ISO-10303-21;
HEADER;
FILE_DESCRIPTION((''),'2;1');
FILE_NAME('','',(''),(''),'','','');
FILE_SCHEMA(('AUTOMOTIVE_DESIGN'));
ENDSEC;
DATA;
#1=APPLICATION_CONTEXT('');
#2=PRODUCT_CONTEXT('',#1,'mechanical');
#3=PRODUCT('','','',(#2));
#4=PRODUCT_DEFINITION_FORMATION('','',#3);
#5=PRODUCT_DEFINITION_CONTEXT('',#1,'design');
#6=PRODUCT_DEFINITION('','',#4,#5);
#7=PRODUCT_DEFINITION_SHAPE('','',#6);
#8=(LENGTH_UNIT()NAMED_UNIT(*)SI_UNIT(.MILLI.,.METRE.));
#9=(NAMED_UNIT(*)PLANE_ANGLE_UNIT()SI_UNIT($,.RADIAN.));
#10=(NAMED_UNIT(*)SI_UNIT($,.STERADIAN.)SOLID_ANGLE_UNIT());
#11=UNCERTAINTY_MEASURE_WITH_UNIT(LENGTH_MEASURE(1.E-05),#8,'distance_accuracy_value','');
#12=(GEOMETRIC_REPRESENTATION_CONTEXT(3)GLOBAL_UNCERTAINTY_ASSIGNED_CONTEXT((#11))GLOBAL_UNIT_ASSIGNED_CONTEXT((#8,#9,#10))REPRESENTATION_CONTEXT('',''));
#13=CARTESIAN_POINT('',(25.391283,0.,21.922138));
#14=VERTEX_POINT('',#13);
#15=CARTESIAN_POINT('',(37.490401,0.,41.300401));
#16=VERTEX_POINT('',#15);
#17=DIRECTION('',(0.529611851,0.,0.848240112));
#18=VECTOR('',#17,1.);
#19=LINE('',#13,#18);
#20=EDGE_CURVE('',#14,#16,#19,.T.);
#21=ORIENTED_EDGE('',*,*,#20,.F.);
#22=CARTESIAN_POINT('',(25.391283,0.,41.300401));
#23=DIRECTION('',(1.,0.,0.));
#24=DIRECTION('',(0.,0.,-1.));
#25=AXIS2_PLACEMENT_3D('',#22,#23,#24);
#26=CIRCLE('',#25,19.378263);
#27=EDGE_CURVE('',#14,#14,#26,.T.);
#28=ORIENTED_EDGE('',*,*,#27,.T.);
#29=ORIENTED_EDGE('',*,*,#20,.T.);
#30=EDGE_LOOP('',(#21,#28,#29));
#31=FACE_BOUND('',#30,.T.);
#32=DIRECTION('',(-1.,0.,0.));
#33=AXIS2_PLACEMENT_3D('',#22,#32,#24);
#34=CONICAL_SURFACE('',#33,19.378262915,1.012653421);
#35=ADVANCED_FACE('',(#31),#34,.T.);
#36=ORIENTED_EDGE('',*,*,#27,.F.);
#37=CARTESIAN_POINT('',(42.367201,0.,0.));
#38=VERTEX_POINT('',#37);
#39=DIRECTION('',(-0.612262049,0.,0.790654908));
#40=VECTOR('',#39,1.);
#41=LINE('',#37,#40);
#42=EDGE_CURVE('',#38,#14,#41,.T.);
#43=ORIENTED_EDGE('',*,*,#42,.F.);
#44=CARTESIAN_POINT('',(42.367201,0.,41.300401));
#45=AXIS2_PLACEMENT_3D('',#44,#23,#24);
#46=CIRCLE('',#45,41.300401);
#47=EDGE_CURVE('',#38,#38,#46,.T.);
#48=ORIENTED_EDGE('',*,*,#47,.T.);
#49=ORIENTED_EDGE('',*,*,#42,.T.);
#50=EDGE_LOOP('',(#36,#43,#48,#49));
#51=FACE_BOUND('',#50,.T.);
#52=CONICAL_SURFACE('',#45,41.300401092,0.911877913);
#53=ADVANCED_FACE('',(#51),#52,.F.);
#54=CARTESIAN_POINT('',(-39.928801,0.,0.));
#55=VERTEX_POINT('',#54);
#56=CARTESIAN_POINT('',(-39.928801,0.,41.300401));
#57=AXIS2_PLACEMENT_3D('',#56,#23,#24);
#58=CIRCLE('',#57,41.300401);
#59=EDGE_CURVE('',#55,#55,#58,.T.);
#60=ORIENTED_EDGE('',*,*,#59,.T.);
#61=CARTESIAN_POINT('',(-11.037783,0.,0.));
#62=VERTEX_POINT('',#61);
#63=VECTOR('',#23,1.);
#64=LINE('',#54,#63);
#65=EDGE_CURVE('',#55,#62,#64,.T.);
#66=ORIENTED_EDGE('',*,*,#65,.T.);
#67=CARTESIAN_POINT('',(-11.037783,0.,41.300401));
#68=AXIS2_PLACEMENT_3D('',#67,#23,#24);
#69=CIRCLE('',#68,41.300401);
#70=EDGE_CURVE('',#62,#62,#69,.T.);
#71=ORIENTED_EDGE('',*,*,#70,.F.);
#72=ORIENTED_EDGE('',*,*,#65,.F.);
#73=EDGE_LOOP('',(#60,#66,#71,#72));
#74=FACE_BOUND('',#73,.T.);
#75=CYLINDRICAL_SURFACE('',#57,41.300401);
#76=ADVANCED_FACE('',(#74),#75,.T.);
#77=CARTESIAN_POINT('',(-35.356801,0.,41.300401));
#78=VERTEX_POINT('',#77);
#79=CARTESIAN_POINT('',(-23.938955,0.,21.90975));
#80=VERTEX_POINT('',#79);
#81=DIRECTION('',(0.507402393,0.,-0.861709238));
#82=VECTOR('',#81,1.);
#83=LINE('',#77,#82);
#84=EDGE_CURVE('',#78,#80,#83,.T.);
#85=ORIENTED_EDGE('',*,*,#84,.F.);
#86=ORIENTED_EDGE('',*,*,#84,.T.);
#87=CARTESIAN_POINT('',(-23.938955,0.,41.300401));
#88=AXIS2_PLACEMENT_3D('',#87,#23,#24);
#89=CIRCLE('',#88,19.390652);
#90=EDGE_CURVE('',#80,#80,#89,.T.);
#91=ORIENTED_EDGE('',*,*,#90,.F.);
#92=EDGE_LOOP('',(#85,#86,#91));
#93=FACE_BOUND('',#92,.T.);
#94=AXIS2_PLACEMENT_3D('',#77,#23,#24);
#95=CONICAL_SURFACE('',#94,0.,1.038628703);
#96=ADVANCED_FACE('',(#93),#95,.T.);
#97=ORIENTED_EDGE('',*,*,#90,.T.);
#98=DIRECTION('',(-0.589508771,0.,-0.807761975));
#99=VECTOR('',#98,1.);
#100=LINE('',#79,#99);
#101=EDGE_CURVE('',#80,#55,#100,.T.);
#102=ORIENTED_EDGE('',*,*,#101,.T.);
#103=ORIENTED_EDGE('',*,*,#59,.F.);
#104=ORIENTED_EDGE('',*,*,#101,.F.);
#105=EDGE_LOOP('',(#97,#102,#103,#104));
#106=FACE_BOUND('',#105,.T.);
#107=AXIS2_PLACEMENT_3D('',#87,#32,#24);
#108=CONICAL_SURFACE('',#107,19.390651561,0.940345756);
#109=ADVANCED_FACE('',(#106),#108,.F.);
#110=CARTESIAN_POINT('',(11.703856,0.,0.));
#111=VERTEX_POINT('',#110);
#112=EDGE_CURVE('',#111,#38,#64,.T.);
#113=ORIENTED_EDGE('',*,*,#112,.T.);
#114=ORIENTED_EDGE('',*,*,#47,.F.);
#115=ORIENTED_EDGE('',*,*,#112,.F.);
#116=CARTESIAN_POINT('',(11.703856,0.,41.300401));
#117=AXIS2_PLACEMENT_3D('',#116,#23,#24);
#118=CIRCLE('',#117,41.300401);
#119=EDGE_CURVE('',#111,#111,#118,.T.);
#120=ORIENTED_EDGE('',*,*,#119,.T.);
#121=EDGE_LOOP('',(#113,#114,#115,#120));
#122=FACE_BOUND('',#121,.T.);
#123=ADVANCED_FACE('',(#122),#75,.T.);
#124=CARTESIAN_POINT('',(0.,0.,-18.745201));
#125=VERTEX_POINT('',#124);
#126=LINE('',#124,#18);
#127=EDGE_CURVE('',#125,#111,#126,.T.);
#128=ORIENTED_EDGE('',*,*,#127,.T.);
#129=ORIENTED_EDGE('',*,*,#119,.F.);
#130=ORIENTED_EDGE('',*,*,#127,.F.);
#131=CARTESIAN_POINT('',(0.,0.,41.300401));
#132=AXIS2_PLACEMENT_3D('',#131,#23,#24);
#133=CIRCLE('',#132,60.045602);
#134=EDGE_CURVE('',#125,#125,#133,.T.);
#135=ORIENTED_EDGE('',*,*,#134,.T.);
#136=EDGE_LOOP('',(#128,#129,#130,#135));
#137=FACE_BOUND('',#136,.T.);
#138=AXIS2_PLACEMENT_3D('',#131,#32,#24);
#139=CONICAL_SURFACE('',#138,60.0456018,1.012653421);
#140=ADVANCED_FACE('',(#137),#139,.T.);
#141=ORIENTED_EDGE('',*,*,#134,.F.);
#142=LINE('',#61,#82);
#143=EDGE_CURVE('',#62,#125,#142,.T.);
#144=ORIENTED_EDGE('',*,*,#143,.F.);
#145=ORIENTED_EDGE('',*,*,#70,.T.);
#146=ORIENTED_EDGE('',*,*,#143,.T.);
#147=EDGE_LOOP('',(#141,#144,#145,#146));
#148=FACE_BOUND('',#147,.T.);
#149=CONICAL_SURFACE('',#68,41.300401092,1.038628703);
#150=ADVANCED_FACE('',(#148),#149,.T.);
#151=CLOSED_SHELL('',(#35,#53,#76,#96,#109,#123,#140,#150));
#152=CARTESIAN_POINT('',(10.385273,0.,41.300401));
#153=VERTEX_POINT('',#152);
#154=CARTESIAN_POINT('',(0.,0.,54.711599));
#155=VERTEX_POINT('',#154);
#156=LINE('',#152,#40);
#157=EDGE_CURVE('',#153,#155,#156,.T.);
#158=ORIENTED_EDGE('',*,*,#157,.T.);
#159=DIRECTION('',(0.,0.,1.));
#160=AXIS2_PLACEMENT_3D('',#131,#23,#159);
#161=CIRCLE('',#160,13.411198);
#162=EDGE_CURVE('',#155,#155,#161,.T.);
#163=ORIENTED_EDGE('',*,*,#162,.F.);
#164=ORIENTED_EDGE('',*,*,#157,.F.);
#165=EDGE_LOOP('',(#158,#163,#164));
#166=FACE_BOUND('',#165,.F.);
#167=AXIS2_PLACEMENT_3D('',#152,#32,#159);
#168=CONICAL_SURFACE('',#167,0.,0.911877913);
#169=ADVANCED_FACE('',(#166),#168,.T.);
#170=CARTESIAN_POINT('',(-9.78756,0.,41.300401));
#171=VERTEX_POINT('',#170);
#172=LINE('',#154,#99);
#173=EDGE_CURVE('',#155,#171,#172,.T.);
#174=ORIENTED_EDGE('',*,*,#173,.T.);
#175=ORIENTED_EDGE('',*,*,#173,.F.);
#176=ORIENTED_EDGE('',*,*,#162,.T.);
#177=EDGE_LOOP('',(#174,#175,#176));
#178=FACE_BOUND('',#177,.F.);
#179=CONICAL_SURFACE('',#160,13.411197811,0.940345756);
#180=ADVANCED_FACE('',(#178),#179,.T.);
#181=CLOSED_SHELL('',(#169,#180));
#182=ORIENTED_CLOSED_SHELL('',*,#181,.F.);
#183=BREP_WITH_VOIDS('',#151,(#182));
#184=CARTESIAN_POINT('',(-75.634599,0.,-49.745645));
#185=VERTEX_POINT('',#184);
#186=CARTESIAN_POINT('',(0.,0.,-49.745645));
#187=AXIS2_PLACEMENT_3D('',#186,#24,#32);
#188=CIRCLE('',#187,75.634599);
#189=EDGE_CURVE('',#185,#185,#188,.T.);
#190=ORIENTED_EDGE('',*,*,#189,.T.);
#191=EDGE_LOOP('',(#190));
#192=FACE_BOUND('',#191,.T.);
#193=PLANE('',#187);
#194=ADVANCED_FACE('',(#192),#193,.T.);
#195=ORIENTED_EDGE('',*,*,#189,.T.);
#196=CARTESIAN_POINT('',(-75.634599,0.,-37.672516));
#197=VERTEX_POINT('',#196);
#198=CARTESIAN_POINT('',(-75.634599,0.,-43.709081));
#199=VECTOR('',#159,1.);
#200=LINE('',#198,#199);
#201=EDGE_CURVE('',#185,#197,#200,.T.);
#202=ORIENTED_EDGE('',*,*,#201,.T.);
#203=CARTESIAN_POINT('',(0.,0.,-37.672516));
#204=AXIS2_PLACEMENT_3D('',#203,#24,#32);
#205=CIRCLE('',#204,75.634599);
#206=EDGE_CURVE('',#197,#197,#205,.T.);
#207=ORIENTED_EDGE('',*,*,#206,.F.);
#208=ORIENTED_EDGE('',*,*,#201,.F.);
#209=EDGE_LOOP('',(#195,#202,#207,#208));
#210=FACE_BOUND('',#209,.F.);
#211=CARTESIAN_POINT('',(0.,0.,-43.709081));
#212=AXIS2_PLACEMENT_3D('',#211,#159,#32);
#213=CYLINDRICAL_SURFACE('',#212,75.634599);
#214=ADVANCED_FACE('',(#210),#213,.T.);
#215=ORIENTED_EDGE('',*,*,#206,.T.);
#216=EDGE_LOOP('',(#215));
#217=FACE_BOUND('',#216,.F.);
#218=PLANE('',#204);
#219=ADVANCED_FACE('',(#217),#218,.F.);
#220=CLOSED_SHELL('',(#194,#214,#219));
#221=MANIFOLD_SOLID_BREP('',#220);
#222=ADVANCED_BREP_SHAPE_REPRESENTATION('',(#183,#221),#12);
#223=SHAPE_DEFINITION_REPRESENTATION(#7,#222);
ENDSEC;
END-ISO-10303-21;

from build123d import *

# Parameters (mm, degrees)
F2_W = 75.634598732
F2_H = 12.0731294155


with BuildPart() as f1:
    # F0 (on Front) → F1 (revolve)
    with BuildSketch(Plane.XZ):
        Polygon((10.3852734835, 41.3004010916), (0, 54.7115989029), (-9.7875599346, 41.3004010916), align=None)
        Polygon((10.3852734835, 41.3004010916), (-9.7875599346, 41.3004010916), (-23.9389554322, 21.9097495304), (-11.0377831406, 0), (11.7038563714, 0), (25.3912828526, 21.9221381765), align=None)
        Polygon((-23.9389554322, 21.9097495304), (-9.7875599346, 41.3004010916), (-35.3568010032, 41.3004010916), align=None)
        Polygon((37.490401417, 41.3004010916), (10.3852734835, 41.3004010916), (25.3912828526, 21.9221381765), align=None)
        Polygon((-11.0377831406, 0), (-23.9389554322, 21.9097495304), (-39.9288013577, 0), align=None)
        Polygon((42.3672012985, 0), (25.3912828526, 21.9221381765), (11.7038563714, 0), align=None)
        Polygon((11.7038563714, 0), (-11.0377831406, 0), (0, -18.7452007085), align=None)
    revolve(axis=Axis((1.0668002069, 0, 41.3004010916), (1, 0, 0)))


with BuildPart() as f3:
    # F2 (on Front) → F3 (revolve)
    with BuildSketch(Plane.XZ):
        with Locations((-37.817299366, -43.7090806663)):
            Rectangle(F2_W, F2_H)
    revolve(axis=Axis((0, 0, -43.7090806663), (0, 0, -1)))


solid = Compound([f1.part, f3.part])
